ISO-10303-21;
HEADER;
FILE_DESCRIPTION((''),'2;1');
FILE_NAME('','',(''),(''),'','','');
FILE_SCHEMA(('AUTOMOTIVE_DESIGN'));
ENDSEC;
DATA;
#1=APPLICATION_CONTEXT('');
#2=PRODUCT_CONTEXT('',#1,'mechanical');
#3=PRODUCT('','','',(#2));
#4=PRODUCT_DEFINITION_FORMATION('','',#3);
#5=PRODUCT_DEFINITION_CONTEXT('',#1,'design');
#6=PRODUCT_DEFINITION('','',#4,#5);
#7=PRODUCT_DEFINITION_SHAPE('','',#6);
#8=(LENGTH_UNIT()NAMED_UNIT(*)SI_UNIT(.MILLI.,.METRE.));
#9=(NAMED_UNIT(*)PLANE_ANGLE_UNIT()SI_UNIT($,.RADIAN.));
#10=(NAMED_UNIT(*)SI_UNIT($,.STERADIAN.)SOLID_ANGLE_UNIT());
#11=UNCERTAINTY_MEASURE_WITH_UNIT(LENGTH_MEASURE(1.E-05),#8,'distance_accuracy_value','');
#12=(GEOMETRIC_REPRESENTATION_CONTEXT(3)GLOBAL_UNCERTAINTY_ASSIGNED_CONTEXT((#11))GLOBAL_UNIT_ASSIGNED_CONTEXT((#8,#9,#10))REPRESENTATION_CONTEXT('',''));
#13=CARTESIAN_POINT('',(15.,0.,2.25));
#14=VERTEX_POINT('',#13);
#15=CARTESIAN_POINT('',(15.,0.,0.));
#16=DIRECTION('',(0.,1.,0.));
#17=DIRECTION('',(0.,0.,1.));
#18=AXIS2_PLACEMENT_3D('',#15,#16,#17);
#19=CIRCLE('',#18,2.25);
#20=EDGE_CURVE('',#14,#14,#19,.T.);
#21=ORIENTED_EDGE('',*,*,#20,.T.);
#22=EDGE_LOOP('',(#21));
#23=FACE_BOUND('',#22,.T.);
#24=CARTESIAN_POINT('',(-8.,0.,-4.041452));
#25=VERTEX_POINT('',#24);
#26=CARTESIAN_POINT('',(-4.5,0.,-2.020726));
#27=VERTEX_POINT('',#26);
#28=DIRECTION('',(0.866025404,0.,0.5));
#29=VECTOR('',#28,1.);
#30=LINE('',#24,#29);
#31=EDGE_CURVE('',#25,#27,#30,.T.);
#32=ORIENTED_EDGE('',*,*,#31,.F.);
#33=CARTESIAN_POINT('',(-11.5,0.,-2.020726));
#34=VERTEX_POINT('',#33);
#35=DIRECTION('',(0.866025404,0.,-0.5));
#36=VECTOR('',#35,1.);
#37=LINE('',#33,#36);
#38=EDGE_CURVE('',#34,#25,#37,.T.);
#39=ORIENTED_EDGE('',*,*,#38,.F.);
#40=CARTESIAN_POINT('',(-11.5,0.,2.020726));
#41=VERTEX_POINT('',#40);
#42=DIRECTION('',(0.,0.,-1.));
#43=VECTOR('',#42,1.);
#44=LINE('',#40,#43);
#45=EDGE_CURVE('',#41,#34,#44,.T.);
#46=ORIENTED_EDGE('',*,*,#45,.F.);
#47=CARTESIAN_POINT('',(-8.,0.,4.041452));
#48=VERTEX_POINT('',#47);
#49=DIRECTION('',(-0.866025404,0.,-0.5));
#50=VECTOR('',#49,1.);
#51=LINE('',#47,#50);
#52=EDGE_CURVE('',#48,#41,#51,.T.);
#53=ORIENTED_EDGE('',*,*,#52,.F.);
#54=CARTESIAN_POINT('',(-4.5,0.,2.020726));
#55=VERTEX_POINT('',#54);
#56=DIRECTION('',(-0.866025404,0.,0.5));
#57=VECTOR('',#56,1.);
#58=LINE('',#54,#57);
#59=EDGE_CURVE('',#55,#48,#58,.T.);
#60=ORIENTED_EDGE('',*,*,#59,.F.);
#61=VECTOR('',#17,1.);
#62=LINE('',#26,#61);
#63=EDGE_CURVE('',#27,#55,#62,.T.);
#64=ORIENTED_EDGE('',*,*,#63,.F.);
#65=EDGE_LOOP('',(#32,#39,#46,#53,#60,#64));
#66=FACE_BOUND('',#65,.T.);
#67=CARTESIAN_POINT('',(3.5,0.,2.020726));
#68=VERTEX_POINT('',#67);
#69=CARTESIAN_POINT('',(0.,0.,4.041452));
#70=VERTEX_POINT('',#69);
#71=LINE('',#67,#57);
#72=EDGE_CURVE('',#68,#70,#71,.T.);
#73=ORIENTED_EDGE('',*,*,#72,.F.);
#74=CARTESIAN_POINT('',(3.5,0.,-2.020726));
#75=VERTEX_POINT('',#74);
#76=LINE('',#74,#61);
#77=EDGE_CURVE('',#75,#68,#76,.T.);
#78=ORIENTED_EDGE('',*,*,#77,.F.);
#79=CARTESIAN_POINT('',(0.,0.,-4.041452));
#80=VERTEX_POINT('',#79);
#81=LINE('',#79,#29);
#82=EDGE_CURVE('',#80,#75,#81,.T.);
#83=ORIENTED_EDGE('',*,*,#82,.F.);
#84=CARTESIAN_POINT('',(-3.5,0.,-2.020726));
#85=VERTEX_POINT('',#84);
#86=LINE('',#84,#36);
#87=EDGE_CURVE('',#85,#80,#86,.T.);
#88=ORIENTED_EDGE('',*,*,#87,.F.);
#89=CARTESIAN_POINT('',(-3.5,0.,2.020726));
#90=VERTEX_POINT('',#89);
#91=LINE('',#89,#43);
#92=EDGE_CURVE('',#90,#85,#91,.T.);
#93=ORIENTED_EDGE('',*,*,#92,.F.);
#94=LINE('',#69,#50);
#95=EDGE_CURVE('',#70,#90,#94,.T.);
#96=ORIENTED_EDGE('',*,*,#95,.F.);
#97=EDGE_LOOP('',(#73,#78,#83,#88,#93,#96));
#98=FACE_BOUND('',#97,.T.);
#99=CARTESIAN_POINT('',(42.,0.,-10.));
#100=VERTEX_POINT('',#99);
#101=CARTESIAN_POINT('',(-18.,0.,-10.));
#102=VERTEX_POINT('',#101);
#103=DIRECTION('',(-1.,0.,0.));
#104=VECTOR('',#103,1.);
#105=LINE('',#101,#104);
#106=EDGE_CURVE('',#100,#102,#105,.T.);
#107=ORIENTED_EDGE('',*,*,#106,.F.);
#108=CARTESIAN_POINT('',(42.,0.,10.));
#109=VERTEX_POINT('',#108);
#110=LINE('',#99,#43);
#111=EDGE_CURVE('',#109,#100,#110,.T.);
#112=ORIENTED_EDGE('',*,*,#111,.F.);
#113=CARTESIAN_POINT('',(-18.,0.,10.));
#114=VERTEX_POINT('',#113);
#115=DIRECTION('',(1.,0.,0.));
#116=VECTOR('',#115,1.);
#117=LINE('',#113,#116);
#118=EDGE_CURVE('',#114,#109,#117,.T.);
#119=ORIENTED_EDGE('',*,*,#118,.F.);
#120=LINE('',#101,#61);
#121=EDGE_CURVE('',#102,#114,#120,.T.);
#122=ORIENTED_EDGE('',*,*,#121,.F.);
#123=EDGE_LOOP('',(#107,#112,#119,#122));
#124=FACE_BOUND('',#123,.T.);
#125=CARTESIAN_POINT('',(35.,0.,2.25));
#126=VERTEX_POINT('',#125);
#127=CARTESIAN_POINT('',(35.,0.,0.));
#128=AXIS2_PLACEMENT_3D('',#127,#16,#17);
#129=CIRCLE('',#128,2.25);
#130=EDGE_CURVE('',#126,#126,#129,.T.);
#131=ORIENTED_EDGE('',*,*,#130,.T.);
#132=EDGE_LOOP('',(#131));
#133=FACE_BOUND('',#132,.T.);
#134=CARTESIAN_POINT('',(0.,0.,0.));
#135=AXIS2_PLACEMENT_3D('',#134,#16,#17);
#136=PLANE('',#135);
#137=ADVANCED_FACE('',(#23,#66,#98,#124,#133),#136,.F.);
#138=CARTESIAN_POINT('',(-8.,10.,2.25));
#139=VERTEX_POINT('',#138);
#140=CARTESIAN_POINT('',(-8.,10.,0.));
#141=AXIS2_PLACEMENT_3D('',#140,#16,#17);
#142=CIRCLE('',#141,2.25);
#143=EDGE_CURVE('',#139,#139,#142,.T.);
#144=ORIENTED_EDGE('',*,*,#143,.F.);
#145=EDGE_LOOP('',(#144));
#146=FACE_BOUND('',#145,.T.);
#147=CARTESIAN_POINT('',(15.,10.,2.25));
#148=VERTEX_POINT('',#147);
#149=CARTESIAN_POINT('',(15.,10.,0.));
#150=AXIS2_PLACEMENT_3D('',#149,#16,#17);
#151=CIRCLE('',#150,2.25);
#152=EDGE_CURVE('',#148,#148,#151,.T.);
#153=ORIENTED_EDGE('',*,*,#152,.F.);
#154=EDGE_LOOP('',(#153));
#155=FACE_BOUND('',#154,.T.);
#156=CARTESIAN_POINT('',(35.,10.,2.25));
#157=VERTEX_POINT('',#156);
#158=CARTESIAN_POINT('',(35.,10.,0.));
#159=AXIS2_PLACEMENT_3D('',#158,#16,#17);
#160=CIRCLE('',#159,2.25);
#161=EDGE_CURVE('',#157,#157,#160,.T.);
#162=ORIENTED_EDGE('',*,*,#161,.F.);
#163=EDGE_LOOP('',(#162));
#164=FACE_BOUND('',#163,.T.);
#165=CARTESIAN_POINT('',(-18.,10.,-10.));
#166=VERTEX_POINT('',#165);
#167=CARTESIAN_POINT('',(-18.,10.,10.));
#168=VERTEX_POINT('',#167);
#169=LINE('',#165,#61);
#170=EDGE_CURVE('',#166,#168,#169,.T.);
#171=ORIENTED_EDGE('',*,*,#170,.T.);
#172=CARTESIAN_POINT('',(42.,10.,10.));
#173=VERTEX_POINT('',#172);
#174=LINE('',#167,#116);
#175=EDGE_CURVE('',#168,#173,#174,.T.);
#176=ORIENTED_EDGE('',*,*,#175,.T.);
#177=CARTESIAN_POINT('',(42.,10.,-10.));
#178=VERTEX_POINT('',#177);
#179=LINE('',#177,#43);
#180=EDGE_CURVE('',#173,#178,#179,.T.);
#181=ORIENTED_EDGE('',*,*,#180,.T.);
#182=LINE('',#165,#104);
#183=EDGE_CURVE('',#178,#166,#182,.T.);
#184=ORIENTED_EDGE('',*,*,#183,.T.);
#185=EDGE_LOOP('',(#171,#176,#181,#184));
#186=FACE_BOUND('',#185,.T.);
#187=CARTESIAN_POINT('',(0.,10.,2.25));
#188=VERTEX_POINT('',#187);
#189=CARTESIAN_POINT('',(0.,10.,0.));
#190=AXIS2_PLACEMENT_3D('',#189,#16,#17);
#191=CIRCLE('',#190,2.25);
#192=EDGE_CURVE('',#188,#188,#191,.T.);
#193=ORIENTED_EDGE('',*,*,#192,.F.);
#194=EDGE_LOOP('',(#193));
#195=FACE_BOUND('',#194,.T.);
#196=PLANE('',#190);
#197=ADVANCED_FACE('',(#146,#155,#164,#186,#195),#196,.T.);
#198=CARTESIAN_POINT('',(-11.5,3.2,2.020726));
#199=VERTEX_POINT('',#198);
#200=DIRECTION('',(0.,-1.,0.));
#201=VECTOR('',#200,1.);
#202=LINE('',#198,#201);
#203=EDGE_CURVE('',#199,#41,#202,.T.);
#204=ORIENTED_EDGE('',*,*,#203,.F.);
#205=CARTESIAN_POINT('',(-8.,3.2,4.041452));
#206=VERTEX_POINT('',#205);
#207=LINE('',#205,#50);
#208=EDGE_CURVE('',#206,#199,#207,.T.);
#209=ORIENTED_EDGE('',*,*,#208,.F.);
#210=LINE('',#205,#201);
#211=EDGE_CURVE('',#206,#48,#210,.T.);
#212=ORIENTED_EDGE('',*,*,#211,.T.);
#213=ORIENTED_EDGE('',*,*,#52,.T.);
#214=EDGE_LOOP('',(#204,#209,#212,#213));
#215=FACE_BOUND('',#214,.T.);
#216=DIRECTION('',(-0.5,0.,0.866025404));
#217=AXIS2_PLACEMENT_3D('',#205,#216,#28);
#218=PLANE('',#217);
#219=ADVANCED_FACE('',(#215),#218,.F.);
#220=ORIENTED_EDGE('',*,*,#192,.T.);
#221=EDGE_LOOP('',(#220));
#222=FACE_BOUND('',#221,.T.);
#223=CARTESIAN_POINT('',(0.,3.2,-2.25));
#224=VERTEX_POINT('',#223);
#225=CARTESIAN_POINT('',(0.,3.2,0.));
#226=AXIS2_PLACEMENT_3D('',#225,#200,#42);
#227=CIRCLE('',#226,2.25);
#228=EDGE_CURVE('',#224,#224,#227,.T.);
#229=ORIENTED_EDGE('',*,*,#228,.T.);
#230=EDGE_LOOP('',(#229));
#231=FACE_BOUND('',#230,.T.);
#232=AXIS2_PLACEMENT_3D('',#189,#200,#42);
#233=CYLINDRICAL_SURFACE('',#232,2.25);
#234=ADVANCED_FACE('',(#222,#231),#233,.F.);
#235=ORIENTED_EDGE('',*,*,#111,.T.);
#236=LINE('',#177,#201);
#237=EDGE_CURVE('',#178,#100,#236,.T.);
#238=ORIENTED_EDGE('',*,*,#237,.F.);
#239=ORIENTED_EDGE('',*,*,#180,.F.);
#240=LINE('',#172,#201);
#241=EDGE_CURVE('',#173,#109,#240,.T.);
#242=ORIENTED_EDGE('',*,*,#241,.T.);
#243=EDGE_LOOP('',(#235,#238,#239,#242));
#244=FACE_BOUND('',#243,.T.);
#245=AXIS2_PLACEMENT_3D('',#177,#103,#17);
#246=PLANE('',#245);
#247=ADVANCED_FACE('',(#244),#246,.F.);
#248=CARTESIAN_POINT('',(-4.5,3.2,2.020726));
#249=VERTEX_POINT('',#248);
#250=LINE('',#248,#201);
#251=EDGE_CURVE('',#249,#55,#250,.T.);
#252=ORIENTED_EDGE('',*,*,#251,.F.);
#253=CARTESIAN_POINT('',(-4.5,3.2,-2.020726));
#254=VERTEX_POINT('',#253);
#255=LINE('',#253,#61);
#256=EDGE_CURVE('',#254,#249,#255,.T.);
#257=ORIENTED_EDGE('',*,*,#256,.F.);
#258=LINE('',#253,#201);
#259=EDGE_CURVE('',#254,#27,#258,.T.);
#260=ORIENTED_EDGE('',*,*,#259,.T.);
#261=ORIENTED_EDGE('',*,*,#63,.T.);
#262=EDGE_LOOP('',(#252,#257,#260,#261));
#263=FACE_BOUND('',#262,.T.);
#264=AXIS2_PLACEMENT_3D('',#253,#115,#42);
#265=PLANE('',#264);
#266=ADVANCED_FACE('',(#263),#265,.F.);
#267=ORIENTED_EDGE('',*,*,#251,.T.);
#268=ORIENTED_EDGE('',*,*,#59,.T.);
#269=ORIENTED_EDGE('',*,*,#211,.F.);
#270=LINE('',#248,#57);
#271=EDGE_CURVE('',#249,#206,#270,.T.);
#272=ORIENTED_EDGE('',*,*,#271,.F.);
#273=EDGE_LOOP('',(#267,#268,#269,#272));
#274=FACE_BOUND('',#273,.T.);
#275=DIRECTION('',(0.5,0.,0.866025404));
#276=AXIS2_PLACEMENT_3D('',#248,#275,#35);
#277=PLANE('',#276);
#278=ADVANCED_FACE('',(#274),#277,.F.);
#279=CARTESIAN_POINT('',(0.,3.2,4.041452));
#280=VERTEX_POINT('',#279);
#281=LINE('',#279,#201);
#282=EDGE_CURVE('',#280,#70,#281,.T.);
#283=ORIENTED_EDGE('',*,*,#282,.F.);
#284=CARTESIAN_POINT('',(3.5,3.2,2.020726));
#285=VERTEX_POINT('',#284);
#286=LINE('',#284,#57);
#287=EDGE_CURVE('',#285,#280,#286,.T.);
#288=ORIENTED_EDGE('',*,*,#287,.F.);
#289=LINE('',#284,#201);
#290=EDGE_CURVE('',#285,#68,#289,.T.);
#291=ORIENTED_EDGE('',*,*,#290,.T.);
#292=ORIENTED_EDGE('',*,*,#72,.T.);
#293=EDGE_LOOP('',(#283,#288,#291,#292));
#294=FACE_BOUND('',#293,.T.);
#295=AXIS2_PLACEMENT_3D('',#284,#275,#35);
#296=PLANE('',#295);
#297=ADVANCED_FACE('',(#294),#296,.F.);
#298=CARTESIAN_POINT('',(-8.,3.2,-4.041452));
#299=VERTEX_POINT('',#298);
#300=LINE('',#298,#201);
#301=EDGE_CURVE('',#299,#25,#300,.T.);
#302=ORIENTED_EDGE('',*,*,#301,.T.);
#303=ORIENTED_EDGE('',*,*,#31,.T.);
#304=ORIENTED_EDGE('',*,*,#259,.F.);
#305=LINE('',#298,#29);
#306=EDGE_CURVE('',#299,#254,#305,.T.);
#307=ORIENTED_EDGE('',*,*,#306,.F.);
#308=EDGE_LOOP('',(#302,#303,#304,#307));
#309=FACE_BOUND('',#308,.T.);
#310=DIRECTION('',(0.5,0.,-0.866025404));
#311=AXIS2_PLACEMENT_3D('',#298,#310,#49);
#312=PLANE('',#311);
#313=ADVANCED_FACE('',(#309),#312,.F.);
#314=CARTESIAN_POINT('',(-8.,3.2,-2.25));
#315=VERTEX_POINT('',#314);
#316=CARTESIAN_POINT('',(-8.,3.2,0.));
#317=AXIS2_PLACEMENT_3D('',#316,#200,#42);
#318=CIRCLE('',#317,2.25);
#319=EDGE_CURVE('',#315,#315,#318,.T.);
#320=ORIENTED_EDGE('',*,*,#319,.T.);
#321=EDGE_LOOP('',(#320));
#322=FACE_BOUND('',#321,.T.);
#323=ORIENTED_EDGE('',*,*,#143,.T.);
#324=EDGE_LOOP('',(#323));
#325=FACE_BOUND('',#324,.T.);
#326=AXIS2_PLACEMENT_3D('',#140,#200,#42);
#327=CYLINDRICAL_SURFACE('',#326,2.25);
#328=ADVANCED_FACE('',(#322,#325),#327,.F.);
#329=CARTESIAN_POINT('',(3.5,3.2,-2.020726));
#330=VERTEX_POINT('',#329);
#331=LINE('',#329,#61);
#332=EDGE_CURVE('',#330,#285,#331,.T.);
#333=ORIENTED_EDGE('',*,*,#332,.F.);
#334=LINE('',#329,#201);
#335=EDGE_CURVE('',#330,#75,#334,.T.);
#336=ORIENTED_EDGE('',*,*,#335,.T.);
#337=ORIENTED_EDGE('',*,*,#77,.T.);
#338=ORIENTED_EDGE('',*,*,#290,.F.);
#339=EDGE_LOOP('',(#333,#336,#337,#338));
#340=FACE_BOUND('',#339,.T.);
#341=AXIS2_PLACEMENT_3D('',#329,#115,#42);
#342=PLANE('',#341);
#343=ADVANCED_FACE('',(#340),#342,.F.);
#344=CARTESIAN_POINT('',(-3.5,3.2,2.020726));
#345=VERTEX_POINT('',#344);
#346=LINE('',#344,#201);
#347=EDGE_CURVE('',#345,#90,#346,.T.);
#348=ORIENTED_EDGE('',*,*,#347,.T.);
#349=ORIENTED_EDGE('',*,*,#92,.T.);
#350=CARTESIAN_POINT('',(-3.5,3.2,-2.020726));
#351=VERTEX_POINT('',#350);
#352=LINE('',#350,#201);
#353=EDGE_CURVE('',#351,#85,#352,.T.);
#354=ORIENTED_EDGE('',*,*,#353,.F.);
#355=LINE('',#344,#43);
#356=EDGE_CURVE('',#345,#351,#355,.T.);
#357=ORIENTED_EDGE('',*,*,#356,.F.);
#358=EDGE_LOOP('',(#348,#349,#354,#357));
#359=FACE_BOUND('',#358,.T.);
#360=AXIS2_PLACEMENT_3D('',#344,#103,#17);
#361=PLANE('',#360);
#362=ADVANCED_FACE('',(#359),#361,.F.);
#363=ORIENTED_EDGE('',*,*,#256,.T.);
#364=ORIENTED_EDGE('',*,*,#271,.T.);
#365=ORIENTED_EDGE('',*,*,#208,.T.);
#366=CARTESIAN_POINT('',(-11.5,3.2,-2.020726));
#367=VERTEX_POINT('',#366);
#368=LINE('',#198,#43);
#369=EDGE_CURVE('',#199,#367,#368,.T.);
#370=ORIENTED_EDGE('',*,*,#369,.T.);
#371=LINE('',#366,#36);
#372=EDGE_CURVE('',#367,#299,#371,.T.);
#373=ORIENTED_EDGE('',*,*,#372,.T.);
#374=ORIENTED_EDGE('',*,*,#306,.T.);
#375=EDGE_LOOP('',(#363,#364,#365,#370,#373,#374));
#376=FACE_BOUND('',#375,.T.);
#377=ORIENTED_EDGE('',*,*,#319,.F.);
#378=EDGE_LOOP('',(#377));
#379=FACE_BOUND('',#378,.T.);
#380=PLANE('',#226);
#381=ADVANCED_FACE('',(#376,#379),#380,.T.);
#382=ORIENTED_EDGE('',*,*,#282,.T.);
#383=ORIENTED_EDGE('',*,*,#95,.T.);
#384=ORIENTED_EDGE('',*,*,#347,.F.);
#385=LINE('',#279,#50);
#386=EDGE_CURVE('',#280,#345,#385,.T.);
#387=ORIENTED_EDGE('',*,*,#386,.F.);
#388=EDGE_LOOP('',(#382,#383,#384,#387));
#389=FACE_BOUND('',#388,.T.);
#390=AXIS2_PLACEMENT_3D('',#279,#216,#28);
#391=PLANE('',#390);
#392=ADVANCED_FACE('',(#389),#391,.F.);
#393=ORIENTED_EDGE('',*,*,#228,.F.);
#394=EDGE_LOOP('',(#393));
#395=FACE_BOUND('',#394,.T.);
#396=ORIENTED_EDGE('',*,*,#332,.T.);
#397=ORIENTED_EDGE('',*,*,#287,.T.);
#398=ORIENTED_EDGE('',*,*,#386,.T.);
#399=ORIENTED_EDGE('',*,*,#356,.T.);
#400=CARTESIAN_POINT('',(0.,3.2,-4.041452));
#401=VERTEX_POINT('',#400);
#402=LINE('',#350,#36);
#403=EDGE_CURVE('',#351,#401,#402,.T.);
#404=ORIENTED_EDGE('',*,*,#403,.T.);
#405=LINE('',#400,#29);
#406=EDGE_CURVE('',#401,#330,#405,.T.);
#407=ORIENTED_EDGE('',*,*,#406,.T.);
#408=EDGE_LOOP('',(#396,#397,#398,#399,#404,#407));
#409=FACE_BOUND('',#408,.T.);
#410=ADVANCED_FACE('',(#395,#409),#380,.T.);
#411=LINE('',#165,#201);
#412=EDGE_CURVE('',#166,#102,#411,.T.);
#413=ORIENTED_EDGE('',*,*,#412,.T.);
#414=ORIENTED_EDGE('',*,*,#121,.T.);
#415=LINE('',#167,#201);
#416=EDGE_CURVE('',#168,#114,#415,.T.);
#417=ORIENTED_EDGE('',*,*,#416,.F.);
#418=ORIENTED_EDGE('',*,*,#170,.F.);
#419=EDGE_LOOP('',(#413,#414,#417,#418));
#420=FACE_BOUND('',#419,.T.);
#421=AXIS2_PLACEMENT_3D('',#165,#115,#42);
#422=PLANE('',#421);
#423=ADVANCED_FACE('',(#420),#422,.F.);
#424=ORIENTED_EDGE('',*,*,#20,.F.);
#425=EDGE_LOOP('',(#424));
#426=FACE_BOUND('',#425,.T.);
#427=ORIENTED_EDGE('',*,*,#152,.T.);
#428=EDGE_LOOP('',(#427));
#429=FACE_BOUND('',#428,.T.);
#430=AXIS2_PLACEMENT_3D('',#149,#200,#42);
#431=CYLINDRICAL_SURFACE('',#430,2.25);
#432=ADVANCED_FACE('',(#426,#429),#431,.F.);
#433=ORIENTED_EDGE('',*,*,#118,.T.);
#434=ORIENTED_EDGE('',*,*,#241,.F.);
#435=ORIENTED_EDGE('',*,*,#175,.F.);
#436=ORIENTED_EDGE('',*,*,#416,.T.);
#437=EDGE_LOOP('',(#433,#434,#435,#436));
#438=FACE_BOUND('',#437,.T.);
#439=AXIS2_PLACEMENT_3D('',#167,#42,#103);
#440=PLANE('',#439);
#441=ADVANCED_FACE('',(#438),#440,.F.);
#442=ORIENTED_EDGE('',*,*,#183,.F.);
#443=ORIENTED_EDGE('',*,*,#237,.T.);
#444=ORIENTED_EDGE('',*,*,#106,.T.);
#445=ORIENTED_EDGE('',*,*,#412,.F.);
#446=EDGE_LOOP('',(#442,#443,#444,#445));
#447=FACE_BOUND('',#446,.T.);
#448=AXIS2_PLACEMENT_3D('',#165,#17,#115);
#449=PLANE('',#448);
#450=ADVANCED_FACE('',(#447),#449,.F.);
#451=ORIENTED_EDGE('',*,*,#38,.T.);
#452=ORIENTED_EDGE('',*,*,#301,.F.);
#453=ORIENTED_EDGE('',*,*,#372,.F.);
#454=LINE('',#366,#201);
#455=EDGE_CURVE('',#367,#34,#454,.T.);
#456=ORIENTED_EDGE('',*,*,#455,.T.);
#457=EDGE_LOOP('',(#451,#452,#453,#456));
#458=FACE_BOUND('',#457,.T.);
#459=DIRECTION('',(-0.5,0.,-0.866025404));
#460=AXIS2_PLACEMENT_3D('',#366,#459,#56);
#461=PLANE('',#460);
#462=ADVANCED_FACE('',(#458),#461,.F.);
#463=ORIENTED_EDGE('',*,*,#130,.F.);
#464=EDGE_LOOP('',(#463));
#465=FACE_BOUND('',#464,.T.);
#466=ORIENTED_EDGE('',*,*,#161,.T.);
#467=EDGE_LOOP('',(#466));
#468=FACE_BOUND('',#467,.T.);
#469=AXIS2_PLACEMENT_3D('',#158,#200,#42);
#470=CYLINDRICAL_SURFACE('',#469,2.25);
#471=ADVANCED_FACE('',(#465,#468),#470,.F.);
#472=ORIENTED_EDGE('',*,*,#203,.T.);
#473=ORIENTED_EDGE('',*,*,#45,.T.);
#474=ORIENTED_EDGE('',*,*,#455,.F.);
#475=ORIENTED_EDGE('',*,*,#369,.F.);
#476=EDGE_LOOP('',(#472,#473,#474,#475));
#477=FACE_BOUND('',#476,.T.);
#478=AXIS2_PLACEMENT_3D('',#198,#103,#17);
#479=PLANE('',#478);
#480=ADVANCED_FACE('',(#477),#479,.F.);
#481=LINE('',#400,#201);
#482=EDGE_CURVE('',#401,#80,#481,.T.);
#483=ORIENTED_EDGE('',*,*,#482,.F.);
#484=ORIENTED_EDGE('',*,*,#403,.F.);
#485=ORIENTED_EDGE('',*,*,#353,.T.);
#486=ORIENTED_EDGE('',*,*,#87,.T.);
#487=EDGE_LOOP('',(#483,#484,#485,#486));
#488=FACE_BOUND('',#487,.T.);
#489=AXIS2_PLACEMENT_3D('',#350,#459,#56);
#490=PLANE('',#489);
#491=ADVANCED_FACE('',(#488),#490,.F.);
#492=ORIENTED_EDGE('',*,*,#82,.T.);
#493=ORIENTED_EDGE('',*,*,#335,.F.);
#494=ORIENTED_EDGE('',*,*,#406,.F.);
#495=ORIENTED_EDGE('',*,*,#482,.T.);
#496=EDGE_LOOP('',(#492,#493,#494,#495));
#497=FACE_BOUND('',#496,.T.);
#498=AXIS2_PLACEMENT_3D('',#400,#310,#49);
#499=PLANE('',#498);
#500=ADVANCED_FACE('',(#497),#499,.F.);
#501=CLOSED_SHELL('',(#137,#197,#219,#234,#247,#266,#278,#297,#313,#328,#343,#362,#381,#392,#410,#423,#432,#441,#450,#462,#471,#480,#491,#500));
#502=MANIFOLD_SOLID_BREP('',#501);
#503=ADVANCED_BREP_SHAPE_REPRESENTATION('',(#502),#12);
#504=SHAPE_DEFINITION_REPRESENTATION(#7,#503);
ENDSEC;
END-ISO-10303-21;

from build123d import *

# Parameters (mm, degrees)
SKETCH1_W           = 60
SKETCH1_H           = 20
SKETCH1_R           = 2.25
BOSS_EXTRUDE1_DEPTH = 10
CUT_EXTRUDE1_DEPTH  = 3.2


with BuildPart() as part:
    # Sketch1 → Boss-Extrude1 (new body)
    with BuildSketch(Plane(origin=(0, 0, 0), x_dir=(1, 0, 0), z_dir=(0, 1, 0))):
        with Locations((12, 0)):
            Rectangle(SKETCH1_W, SKETCH1_H)
        Circle(SKETCH1_R, mode=Mode.SUBTRACT)
        with Locations((-8, 0)):
            Circle(SKETCH1_R, mode=Mode.SUBTRACT)
        with Locations((35, 0)):
            Circle(SKETCH1_R, mode=Mode.SUBTRACT)
        with Locations((15, 0)):
            Circle(SKETCH1_R, mode=Mode.SUBTRACT)
    extrude(amount=BOSS_EXTRUDE1_DEPTH)

    # Sketch2 → Cut-Extrude1 (cut)
    with BuildSketch(Plane.XZ):
        Polygon((-3.5, 2.020725942), (-3.5, -2.020725942), (0, -4.041451884), (3.5, -2.020725942), (3.5, 2.020725942), (0, 4.041451884), align=None)
        Polygon((-4.5, 2.020725942), (-8, 4.041451884), (-11.5, 2.020725942), (-11.5, -2.020725942), (-8, -4.041451884), (-4.5, -2.020725942), align=None)
    extrude(amount=-CUT_EXTRUDE1_DEPTH, mode=Mode.SUBTRACT)


solid = part.part
